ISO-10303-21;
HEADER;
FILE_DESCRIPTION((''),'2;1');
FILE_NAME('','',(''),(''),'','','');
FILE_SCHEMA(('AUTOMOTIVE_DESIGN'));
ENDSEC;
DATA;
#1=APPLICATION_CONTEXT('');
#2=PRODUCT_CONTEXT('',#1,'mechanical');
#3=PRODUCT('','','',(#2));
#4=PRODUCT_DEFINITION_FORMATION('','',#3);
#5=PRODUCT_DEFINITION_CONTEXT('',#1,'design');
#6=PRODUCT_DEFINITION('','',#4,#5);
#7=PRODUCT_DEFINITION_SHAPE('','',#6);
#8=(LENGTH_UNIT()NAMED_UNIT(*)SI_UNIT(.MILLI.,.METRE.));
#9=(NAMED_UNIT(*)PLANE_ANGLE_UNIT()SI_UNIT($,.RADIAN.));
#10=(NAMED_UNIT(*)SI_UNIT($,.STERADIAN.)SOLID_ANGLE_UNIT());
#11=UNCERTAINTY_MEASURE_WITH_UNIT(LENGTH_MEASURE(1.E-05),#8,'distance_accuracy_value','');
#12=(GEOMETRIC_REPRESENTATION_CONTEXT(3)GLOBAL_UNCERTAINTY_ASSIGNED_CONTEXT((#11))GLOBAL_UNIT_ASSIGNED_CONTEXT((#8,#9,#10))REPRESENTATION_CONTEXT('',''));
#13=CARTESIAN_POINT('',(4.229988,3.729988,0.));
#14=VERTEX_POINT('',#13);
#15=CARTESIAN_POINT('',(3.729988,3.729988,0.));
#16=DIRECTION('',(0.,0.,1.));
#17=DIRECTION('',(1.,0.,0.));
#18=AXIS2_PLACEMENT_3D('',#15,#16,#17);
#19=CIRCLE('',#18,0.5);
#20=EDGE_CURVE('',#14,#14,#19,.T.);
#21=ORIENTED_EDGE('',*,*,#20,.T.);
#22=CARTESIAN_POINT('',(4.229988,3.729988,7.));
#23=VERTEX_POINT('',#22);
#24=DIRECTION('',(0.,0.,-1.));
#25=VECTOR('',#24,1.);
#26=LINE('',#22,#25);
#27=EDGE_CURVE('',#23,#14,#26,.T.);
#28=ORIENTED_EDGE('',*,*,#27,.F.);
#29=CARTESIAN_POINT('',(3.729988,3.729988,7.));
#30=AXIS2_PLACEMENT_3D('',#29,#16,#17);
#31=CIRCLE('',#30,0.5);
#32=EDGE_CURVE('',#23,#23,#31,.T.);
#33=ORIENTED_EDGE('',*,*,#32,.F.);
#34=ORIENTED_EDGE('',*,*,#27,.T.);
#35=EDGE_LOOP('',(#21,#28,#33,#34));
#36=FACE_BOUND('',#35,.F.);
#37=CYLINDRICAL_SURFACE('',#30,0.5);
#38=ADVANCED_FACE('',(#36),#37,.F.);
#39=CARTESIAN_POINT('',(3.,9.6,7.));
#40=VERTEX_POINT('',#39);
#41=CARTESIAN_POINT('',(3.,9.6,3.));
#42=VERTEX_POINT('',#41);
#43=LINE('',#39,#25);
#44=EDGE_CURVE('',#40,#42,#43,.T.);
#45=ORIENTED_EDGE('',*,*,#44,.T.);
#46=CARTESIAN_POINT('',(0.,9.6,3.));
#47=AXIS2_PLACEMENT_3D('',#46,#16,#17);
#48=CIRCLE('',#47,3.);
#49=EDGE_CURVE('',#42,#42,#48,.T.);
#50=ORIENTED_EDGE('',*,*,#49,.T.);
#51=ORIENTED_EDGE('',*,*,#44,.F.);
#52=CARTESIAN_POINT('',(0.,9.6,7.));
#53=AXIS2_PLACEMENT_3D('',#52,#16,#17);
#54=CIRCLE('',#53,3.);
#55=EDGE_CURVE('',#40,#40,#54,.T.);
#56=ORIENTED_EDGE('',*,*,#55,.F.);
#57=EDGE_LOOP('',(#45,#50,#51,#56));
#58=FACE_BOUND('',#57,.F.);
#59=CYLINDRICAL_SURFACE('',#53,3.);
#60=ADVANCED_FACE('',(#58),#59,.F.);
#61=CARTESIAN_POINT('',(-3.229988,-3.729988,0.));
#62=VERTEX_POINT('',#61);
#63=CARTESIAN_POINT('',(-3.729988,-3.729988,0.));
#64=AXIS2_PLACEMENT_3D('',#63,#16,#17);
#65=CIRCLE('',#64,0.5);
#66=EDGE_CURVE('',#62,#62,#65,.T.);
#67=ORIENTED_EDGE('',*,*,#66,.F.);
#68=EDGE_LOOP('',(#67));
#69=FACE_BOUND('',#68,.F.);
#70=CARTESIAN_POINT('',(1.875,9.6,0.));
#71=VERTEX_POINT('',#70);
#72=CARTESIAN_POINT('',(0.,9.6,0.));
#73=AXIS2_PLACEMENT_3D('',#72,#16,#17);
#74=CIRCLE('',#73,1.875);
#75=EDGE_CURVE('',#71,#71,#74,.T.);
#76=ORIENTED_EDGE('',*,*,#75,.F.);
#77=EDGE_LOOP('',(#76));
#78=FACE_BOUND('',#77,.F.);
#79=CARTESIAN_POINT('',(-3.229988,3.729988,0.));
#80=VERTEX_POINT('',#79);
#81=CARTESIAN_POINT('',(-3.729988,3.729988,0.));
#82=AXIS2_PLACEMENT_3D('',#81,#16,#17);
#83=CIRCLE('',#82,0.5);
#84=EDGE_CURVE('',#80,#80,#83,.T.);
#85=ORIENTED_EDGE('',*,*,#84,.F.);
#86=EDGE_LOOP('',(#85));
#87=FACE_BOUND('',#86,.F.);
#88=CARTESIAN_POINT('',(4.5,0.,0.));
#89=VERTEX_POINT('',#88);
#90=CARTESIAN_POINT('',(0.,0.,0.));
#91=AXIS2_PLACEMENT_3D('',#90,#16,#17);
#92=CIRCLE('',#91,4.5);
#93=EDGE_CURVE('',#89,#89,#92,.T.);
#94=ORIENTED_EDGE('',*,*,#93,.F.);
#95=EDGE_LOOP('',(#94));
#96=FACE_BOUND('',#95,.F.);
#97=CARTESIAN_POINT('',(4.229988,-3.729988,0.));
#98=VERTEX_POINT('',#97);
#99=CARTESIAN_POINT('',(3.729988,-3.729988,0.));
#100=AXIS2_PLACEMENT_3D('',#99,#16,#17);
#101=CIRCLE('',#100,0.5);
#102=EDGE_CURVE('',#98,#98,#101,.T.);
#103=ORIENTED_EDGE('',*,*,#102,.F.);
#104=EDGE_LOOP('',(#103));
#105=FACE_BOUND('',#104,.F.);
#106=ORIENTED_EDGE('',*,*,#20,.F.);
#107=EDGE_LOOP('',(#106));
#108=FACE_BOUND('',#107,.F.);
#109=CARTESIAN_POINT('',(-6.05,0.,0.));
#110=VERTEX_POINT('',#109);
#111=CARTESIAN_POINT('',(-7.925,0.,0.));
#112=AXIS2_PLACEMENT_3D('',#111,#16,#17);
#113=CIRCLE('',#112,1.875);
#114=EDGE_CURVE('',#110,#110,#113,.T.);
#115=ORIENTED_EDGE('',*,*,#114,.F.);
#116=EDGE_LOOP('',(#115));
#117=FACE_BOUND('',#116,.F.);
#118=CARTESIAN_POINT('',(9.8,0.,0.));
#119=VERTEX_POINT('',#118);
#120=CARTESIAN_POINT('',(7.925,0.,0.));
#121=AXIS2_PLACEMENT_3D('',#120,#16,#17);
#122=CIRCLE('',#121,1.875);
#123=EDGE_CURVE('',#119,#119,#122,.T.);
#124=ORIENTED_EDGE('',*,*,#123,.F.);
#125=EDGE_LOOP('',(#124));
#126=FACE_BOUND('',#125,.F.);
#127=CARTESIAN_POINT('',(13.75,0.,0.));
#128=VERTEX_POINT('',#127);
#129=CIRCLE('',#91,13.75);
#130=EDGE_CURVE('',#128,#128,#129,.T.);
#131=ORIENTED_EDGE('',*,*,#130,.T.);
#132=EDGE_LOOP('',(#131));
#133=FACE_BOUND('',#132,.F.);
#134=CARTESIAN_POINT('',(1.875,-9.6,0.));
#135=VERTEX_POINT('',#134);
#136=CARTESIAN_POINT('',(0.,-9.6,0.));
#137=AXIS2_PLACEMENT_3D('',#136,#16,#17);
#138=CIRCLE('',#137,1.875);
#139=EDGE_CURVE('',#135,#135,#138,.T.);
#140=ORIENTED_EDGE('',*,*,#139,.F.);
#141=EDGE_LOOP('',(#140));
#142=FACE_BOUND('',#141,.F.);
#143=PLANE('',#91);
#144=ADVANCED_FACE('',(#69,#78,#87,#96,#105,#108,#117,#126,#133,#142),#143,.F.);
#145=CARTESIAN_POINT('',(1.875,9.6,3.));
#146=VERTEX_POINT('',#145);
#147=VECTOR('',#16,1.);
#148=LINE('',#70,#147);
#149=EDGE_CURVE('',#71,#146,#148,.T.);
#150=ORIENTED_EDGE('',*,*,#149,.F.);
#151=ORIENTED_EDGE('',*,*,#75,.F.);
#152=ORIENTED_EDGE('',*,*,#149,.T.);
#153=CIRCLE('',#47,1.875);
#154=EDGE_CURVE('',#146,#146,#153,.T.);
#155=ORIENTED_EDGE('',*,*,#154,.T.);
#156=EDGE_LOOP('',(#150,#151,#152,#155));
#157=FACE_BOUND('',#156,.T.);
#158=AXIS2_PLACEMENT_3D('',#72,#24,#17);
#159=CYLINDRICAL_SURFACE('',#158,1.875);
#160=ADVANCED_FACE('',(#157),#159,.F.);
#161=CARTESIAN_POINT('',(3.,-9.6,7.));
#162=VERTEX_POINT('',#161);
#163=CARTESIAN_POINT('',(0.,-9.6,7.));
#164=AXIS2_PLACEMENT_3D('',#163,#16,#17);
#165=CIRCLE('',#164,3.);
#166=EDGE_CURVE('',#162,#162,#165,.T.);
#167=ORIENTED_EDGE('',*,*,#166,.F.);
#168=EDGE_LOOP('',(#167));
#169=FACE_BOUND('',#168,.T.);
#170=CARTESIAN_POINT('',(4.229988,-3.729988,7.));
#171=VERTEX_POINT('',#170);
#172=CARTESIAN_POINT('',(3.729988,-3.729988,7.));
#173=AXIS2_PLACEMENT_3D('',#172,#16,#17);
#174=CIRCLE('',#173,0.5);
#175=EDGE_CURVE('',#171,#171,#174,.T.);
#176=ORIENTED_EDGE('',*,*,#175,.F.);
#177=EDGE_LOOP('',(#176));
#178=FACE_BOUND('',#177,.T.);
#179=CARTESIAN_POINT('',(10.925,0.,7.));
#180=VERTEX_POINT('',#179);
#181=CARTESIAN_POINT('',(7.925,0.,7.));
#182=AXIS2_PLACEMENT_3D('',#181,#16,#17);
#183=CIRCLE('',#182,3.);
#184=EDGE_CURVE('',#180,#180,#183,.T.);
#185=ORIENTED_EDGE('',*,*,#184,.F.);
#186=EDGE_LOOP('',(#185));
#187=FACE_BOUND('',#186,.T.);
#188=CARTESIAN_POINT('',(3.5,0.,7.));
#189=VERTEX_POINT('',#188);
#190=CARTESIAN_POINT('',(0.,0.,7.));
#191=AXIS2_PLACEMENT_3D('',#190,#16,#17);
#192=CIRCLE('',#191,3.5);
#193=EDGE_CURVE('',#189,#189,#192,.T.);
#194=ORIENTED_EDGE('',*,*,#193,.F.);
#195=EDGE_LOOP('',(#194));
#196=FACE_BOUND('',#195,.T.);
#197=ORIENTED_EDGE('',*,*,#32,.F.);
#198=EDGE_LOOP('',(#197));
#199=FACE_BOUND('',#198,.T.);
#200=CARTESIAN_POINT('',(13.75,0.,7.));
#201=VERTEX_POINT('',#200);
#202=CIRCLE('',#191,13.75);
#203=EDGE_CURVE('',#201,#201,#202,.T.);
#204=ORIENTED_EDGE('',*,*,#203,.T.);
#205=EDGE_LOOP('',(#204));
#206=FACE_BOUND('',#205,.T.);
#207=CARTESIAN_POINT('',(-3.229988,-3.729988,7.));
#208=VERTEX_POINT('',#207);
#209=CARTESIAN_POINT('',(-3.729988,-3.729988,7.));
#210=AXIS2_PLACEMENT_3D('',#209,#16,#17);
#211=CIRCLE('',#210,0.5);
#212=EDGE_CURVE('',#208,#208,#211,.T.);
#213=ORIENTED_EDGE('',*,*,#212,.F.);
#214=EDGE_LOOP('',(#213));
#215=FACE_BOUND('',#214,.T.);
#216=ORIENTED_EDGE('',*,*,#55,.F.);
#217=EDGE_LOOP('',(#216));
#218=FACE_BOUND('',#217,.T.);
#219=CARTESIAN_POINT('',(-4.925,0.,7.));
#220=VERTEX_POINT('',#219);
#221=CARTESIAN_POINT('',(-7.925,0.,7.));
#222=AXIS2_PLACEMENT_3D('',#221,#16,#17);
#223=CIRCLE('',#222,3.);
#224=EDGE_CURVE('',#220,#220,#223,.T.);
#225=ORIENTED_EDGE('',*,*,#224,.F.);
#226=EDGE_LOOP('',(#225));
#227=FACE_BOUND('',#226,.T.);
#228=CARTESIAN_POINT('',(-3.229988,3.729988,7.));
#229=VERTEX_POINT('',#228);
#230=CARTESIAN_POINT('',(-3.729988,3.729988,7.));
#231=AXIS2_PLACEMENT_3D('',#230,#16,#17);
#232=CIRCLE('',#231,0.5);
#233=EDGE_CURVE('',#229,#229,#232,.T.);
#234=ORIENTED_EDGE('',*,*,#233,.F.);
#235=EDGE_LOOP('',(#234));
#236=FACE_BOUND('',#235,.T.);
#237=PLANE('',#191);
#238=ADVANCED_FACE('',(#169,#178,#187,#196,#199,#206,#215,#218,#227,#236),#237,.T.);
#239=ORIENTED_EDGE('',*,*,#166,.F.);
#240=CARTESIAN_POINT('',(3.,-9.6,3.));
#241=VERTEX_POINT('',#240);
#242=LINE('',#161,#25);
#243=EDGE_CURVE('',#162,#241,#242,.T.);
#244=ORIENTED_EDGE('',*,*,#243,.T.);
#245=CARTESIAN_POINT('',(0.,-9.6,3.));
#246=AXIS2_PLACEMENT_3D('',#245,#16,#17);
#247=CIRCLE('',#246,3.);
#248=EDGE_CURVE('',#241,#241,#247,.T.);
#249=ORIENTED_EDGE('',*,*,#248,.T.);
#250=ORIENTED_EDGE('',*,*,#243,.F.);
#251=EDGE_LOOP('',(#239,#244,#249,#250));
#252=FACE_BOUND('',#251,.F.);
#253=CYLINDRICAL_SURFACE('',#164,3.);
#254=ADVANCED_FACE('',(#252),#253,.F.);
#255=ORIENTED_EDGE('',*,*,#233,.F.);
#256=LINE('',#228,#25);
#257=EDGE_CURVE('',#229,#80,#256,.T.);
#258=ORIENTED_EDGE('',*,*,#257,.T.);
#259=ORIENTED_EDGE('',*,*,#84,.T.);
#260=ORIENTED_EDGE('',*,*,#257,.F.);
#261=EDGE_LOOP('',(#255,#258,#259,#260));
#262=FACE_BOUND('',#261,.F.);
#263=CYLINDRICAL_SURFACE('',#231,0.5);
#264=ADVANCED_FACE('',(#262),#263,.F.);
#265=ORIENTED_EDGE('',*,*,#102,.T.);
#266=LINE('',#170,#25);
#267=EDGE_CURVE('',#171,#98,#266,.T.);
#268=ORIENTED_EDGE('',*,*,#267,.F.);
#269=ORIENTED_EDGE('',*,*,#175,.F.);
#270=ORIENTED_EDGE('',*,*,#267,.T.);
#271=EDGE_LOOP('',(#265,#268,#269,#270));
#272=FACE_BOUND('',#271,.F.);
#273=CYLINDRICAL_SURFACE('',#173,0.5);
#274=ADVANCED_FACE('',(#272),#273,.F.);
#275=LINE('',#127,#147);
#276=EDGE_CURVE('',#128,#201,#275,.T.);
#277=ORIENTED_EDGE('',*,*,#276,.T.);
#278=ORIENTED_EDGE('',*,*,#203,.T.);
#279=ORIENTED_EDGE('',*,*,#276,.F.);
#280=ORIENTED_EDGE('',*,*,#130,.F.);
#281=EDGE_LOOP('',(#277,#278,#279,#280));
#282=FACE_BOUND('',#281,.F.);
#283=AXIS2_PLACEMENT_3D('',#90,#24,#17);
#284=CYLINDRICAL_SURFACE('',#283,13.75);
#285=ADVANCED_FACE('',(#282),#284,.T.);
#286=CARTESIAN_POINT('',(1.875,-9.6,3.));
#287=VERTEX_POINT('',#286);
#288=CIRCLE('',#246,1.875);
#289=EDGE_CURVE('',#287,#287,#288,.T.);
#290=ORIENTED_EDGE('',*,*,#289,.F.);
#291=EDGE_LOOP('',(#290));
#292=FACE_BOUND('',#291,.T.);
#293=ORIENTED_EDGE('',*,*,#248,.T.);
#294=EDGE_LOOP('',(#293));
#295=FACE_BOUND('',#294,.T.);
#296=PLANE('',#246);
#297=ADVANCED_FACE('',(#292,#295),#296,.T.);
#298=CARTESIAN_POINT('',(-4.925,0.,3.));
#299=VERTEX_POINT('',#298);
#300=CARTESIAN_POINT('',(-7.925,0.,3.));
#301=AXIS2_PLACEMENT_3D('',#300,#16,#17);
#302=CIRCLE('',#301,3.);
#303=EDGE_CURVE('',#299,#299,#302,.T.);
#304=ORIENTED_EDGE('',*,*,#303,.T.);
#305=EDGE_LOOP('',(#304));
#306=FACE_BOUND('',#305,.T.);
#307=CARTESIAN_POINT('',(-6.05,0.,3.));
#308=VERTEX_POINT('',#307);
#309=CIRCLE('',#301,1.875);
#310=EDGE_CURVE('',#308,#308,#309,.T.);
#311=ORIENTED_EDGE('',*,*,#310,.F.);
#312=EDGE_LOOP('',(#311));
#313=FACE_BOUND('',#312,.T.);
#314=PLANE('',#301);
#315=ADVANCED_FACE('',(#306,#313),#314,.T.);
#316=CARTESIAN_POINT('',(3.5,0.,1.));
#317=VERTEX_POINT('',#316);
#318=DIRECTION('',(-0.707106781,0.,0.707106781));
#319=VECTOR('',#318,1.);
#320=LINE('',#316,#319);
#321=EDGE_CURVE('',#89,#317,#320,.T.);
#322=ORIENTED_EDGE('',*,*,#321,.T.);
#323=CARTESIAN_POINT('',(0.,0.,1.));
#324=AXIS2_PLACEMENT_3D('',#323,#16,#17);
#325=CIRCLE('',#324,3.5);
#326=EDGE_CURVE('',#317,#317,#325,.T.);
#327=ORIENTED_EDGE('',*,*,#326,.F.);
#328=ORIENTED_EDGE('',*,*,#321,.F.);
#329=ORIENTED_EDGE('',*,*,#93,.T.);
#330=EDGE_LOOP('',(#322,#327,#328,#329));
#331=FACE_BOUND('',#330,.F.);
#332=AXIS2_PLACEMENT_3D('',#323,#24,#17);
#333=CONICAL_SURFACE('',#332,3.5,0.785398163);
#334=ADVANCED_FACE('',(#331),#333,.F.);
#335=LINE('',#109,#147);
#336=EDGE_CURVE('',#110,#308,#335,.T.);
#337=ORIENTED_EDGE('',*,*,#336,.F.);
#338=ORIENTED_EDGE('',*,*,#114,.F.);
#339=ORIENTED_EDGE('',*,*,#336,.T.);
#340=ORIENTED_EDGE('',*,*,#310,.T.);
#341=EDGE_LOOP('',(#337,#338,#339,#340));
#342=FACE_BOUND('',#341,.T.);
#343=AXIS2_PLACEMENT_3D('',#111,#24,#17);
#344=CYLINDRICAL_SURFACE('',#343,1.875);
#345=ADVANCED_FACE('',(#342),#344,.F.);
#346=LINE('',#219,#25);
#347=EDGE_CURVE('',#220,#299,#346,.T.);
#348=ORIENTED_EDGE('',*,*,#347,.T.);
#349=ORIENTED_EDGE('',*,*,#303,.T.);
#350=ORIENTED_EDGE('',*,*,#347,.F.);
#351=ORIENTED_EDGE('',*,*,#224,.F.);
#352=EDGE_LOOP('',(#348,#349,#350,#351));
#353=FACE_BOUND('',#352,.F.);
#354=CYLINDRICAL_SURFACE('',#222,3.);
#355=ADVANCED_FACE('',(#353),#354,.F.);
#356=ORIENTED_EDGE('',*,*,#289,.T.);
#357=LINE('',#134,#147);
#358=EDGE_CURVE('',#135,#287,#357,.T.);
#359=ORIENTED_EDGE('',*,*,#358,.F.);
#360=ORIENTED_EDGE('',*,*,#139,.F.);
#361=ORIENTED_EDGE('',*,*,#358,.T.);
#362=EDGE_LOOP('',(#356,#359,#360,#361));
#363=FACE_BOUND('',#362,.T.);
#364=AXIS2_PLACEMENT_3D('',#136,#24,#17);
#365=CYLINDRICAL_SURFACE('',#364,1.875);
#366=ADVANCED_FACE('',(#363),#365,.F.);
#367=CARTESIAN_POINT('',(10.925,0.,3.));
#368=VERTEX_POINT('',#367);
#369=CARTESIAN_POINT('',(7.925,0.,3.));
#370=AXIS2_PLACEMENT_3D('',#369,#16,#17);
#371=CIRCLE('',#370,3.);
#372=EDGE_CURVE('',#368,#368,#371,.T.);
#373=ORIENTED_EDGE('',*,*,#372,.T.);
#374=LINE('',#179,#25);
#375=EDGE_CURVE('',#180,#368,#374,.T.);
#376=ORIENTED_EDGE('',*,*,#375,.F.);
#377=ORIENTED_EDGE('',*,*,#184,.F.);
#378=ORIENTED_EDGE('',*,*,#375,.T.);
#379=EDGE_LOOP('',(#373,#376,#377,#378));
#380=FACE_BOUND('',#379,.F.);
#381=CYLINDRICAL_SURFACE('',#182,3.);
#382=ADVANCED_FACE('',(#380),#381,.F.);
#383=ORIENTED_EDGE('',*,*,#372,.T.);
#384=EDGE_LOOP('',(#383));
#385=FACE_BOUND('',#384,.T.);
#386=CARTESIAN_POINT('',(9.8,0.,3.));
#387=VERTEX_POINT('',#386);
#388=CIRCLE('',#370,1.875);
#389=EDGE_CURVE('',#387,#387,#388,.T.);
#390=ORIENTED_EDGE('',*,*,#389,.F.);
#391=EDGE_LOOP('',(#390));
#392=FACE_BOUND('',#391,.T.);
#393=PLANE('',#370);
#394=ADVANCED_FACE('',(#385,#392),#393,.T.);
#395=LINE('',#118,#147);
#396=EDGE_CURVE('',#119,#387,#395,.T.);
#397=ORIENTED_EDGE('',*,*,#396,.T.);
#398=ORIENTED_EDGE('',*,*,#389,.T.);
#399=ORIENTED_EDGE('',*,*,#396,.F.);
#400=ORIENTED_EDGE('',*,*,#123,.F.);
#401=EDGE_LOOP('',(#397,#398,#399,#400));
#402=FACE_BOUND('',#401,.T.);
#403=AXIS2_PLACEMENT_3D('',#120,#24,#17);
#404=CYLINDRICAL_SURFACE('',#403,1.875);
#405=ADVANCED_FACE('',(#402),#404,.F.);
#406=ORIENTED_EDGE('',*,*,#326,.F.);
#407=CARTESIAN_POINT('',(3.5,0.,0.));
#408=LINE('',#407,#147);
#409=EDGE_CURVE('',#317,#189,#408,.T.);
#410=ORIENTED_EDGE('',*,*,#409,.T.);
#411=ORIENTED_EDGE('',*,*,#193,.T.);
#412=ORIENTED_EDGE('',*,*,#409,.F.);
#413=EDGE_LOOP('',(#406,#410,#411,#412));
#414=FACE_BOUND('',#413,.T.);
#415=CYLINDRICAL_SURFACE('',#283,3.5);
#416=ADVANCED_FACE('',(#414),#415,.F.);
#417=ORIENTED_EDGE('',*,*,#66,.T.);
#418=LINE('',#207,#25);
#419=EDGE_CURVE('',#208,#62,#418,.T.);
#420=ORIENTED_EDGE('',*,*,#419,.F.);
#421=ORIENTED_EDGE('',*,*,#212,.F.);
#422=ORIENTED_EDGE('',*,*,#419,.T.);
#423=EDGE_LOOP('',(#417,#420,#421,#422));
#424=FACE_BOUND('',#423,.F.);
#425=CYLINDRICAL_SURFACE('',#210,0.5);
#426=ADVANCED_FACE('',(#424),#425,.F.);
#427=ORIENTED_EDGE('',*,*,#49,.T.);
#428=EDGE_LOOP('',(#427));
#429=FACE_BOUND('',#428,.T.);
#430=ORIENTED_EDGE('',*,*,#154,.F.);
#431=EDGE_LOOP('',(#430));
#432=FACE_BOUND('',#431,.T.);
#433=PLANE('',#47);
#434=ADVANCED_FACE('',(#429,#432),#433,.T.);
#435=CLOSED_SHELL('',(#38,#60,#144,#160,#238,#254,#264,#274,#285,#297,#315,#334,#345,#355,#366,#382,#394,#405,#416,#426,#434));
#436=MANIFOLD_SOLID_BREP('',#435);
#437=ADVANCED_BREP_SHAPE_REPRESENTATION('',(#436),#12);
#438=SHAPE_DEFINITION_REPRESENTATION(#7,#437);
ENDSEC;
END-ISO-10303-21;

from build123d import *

# Parameters (mm, degrees)
F0_R     = 13.75
F0_R_2   = 1.875
F0_R_3   = 3.5
F1_DEPTH = 7
F2_R     = 3
F2_R_2   = 1.875
F3_DEPTH = 4
F4_R     = 0.5
F5_DEPTH = 8
F6_SIZE  = 1


with BuildPart() as f1:
    # F0 (on Top) → F1 (new body)
    with BuildSketch(Plane.XY):
        Circle(F0_R)
        with Locations((0, -9.6)):
            Circle(F0_R_2, mode=Mode.SUBTRACT)
        with Locations((-7.925, 0)):
            Circle(F0_R_2, mode=Mode.SUBTRACT)
        Circle(F0_R_3, mode=Mode.SUBTRACT)
        with Locations((7.925, 0)):
            Circle(F0_R_2, mode=Mode.SUBTRACT)
        with Locations((0, 9.6)):
            Circle(F0_R_2, mode=Mode.SUBTRACT)
    extrude(amount=F1_DEPTH)

    # F2 (on face) → F3 (cut)
    with BuildSketch(Plane.XY.offset(7)):
        with Locations((0, 9.6)):
            Circle(F2_R)
        with Locations((0, 9.6)):
            Circle(F2_R_2, mode=Mode.SUBTRACT)
        with Locations((-7.925, 0)):
            Circle(F2_R)
        with Locations((-7.925, 0)):
            Circle(F2_R_2, mode=Mode.SUBTRACT)
        with Locations((7.925, 0)):
            Circle(F2_R)
        with Locations((7.925, 0)):
            Circle(F2_R_2, mode=Mode.SUBTRACT)
        with Locations((0, -9.6)):
            Circle(F2_R)
        with Locations((0, -9.6)):
            Circle(F2_R_2, mode=Mode.SUBTRACT)
    extrude(amount=-F3_DEPTH, mode=Mode.SUBTRACT)

    # F4 (on face) → F5 (cut)
    with BuildSketch(Plane.XY.offset(7)):
        with Locations((-3.729988, 3.729988)):
            Circle(F4_R)
        with Locations((3.729988, 3.729988)):
            Circle(F4_R)
        with Locations((3.729988, -3.729988)):
            Circle(F4_R)
        with Locations((-3.729988, -3.729988)):
            Circle(F4_R)
    extrude(amount=-F5_DEPTH, mode=Mode.SUBTRACT)

    # F6
    f6_edges = [f1.edges().sort_by_distance(p)[0] for p in [
        (-3.5, 0, 0),
    ]]
    chamfer(f6_edges, length=F6_SIZE)


solid = f1.part
